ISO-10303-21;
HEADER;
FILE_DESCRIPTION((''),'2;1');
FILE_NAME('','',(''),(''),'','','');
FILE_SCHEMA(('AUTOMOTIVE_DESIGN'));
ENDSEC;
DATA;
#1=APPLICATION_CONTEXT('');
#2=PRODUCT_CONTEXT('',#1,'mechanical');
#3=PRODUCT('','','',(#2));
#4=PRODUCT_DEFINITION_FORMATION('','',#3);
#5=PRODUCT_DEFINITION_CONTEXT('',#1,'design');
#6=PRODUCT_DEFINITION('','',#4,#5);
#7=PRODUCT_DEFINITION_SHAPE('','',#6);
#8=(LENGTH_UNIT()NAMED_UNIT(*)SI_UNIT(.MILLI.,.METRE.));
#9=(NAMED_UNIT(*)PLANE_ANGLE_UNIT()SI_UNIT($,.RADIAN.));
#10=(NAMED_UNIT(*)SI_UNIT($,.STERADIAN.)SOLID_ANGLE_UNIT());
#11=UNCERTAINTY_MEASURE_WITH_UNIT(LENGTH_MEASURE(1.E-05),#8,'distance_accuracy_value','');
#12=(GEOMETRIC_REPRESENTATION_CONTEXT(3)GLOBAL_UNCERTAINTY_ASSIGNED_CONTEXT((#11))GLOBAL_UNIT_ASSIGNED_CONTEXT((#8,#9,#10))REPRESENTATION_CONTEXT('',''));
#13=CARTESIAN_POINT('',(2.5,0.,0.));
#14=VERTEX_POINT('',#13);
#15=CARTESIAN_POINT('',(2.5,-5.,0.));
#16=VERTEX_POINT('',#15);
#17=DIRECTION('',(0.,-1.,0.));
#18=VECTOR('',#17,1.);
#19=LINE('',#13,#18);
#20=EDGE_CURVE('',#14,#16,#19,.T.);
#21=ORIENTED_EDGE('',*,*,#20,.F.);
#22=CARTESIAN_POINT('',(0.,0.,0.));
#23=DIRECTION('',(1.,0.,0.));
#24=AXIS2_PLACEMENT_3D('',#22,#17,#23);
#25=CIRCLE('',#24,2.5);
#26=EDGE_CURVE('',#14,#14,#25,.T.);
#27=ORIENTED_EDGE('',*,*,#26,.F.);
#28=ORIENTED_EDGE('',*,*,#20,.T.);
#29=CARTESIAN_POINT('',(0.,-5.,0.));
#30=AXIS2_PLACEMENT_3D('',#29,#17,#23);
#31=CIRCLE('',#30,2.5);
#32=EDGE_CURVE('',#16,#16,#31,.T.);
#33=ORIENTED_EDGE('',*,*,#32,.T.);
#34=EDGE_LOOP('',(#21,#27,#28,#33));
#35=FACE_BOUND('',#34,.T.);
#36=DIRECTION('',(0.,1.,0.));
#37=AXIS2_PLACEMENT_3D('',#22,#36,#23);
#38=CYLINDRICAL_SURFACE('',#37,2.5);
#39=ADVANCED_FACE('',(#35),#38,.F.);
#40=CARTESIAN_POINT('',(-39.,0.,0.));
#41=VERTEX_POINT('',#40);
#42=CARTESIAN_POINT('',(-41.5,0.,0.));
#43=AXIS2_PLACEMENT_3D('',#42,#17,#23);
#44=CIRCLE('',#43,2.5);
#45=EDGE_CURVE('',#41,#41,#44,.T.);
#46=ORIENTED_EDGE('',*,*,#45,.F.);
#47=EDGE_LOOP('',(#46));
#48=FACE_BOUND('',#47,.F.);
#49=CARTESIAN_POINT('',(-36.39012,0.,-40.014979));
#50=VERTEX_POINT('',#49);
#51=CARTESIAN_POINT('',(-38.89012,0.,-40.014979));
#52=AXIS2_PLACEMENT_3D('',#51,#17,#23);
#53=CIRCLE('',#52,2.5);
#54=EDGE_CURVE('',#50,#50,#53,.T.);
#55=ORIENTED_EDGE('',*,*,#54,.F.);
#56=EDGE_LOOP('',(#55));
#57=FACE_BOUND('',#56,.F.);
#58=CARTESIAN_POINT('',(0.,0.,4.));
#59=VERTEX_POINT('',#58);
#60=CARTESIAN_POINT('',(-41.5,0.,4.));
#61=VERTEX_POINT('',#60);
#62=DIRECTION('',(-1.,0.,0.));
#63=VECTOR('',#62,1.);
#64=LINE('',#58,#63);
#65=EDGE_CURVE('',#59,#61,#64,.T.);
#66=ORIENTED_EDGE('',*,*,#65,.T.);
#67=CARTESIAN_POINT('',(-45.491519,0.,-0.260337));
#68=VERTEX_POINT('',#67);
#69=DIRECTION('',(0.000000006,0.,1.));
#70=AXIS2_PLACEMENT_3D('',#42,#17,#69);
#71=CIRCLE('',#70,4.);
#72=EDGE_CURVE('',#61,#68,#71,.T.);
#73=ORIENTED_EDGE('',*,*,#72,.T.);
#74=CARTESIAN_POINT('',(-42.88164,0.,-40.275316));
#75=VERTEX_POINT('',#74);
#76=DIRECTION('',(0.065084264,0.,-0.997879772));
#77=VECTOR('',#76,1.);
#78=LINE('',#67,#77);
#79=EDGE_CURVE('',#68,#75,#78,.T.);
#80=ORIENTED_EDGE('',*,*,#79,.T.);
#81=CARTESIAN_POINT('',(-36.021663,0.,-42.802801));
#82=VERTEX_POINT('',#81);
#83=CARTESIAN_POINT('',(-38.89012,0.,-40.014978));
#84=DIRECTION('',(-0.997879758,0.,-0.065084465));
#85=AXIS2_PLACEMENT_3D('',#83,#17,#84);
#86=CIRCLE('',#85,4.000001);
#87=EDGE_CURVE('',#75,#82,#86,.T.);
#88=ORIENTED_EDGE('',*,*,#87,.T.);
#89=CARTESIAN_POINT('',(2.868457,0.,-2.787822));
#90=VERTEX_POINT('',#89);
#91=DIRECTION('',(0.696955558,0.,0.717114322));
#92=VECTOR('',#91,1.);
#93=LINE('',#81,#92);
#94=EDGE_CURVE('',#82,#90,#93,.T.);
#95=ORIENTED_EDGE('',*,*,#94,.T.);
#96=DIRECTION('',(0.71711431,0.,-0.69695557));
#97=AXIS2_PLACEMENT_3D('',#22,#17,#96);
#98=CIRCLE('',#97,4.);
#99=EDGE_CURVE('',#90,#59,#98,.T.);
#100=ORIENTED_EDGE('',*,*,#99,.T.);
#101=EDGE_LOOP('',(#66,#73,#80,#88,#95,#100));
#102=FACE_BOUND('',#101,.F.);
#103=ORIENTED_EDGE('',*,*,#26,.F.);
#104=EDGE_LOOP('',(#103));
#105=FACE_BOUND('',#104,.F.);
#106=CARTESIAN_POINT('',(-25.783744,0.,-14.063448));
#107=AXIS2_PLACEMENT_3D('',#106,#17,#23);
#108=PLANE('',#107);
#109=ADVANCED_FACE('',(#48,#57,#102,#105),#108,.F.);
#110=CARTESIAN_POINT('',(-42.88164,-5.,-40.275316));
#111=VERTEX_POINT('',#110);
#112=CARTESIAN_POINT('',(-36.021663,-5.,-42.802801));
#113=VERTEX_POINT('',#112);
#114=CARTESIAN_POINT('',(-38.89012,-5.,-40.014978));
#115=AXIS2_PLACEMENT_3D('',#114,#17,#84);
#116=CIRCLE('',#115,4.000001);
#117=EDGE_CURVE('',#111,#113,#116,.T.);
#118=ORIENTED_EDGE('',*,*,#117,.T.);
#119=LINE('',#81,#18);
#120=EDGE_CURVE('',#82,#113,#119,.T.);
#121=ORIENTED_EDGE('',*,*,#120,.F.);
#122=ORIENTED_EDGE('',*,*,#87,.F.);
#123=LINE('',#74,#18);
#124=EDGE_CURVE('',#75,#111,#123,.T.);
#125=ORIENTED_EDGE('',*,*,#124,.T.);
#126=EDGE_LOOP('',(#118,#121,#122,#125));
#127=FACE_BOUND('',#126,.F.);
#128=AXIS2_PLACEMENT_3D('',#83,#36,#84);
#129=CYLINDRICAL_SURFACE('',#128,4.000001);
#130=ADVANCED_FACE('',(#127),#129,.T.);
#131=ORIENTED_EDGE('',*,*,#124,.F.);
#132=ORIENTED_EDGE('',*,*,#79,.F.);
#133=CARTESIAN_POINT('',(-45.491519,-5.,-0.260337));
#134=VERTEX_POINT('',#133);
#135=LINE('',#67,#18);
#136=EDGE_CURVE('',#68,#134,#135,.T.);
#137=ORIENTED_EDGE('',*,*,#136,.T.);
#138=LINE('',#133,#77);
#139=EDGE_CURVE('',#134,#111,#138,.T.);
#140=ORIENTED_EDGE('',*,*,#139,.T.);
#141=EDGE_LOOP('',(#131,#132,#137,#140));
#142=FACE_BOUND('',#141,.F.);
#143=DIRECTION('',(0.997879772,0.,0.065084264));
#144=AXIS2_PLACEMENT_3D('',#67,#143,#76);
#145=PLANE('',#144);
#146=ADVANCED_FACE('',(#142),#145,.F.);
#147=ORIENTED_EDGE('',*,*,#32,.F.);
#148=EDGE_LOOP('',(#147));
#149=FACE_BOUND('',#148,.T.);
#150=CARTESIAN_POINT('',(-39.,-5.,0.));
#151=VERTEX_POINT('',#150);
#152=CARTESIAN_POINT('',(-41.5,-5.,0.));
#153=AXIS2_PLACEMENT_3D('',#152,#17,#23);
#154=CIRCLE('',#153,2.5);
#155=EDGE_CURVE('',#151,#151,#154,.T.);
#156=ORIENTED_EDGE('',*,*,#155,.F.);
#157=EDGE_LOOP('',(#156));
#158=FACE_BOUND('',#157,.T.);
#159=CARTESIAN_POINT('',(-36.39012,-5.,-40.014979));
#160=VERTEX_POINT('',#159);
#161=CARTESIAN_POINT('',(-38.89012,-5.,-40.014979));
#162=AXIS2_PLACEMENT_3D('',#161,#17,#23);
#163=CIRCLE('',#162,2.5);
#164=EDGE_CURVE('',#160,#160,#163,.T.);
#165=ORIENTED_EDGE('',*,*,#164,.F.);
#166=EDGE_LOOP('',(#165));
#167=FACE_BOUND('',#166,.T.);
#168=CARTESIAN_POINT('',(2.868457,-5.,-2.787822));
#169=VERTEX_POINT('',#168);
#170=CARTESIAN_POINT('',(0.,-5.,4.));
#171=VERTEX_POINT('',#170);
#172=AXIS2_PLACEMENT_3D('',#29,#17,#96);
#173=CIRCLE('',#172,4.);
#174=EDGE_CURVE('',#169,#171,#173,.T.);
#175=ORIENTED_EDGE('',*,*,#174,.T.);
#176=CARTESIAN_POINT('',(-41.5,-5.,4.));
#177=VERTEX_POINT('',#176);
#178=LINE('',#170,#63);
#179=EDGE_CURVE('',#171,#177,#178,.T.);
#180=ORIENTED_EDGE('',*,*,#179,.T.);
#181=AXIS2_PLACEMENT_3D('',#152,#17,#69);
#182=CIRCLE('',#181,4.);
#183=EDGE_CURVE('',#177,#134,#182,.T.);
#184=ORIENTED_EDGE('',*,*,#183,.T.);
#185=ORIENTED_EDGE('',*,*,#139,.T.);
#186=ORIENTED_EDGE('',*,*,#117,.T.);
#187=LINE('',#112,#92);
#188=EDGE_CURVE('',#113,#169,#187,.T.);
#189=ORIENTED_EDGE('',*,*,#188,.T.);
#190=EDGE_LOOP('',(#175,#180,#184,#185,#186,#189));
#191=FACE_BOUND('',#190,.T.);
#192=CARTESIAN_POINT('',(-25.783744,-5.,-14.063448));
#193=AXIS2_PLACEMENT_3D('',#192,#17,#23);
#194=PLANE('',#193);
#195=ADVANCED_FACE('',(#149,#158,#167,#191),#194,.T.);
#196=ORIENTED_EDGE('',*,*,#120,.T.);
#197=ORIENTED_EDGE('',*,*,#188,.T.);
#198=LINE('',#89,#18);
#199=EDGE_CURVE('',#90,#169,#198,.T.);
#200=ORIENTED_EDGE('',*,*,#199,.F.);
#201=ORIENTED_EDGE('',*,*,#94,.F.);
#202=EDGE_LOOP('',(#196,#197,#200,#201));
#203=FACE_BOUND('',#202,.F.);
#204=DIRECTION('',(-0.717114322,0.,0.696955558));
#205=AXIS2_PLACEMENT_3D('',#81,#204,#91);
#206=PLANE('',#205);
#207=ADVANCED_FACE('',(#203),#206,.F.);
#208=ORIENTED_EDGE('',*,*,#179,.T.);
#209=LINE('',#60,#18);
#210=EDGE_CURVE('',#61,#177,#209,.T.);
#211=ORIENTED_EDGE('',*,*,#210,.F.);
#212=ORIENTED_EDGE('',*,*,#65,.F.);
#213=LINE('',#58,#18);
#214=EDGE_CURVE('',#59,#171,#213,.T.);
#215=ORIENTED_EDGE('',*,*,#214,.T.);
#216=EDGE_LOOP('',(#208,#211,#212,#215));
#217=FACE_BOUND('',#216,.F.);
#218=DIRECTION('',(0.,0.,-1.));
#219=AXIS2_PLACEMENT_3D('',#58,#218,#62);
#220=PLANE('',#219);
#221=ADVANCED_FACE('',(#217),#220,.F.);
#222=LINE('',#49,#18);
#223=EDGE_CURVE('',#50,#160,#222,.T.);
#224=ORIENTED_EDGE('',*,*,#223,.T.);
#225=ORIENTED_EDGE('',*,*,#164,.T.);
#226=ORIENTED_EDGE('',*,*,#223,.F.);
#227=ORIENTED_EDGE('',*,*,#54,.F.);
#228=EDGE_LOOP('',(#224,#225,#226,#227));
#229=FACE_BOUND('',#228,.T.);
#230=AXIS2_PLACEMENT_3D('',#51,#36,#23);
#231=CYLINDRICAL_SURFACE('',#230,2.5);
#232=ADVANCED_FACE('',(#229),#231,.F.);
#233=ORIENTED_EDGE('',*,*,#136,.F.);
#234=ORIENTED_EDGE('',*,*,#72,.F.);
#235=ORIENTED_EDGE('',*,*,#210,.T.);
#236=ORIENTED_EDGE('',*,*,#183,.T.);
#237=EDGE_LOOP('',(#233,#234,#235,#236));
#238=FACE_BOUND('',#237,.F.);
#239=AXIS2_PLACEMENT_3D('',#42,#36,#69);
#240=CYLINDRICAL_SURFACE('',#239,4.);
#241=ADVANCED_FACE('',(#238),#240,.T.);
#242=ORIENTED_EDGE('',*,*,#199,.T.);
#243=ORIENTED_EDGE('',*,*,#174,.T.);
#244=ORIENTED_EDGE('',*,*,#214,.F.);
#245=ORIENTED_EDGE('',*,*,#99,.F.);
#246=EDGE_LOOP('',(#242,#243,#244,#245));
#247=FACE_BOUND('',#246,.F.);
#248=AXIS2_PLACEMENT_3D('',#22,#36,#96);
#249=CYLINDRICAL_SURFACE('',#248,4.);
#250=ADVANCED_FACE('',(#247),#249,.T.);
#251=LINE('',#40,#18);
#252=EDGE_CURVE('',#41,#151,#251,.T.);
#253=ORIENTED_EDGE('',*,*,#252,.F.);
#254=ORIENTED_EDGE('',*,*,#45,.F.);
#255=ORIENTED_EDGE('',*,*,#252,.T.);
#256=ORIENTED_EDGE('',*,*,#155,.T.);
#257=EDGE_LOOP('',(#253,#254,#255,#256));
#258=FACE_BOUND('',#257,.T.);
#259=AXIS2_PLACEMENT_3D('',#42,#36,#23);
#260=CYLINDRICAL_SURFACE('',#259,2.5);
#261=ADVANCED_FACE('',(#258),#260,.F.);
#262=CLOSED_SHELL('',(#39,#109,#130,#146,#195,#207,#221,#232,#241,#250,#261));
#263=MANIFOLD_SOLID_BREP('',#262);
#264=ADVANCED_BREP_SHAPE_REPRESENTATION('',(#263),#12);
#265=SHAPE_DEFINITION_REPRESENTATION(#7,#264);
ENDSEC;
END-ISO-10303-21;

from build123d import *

# Parameters (mm, degrees)
F0_R     = 2.5
F1_DEPTH = 5


with BuildPart() as f1:
    # F0 (on Front) → F1 (new body)
    with BuildSketch(Plane.XZ):
        with BuildLine():
            Line((0, 4), (-41.5, 4))
            ThreePointArc((-41.5, 4), (-44.419019, 2.734836), (-45.491519, -0.260337))
            Line((-45.491519, -0.260337), (-42.88164, -40.275316))
            ThreePointArc((-42.88164, -40.275316), (-40.273002, -43.768329), (-36.021663, -42.802801))
            Line((-36.021663, -42.802801), (2.868457, -2.787822))
            ThreePointArc((2.868457, -2.787822), (3.684514, 1.557034), (0, 4))
        make_face()
        with Locations((-38.89012, -40.014979)):
            Circle(F0_R, mode=Mode.SUBTRACT)
        with Locations((-41.5, 0)):
            Circle(F0_R, mode=Mode.SUBTRACT)
        Circle(F0_R, mode=Mode.SUBTRACT)
    extrude(amount=F1_DEPTH)


solid = f1.part
